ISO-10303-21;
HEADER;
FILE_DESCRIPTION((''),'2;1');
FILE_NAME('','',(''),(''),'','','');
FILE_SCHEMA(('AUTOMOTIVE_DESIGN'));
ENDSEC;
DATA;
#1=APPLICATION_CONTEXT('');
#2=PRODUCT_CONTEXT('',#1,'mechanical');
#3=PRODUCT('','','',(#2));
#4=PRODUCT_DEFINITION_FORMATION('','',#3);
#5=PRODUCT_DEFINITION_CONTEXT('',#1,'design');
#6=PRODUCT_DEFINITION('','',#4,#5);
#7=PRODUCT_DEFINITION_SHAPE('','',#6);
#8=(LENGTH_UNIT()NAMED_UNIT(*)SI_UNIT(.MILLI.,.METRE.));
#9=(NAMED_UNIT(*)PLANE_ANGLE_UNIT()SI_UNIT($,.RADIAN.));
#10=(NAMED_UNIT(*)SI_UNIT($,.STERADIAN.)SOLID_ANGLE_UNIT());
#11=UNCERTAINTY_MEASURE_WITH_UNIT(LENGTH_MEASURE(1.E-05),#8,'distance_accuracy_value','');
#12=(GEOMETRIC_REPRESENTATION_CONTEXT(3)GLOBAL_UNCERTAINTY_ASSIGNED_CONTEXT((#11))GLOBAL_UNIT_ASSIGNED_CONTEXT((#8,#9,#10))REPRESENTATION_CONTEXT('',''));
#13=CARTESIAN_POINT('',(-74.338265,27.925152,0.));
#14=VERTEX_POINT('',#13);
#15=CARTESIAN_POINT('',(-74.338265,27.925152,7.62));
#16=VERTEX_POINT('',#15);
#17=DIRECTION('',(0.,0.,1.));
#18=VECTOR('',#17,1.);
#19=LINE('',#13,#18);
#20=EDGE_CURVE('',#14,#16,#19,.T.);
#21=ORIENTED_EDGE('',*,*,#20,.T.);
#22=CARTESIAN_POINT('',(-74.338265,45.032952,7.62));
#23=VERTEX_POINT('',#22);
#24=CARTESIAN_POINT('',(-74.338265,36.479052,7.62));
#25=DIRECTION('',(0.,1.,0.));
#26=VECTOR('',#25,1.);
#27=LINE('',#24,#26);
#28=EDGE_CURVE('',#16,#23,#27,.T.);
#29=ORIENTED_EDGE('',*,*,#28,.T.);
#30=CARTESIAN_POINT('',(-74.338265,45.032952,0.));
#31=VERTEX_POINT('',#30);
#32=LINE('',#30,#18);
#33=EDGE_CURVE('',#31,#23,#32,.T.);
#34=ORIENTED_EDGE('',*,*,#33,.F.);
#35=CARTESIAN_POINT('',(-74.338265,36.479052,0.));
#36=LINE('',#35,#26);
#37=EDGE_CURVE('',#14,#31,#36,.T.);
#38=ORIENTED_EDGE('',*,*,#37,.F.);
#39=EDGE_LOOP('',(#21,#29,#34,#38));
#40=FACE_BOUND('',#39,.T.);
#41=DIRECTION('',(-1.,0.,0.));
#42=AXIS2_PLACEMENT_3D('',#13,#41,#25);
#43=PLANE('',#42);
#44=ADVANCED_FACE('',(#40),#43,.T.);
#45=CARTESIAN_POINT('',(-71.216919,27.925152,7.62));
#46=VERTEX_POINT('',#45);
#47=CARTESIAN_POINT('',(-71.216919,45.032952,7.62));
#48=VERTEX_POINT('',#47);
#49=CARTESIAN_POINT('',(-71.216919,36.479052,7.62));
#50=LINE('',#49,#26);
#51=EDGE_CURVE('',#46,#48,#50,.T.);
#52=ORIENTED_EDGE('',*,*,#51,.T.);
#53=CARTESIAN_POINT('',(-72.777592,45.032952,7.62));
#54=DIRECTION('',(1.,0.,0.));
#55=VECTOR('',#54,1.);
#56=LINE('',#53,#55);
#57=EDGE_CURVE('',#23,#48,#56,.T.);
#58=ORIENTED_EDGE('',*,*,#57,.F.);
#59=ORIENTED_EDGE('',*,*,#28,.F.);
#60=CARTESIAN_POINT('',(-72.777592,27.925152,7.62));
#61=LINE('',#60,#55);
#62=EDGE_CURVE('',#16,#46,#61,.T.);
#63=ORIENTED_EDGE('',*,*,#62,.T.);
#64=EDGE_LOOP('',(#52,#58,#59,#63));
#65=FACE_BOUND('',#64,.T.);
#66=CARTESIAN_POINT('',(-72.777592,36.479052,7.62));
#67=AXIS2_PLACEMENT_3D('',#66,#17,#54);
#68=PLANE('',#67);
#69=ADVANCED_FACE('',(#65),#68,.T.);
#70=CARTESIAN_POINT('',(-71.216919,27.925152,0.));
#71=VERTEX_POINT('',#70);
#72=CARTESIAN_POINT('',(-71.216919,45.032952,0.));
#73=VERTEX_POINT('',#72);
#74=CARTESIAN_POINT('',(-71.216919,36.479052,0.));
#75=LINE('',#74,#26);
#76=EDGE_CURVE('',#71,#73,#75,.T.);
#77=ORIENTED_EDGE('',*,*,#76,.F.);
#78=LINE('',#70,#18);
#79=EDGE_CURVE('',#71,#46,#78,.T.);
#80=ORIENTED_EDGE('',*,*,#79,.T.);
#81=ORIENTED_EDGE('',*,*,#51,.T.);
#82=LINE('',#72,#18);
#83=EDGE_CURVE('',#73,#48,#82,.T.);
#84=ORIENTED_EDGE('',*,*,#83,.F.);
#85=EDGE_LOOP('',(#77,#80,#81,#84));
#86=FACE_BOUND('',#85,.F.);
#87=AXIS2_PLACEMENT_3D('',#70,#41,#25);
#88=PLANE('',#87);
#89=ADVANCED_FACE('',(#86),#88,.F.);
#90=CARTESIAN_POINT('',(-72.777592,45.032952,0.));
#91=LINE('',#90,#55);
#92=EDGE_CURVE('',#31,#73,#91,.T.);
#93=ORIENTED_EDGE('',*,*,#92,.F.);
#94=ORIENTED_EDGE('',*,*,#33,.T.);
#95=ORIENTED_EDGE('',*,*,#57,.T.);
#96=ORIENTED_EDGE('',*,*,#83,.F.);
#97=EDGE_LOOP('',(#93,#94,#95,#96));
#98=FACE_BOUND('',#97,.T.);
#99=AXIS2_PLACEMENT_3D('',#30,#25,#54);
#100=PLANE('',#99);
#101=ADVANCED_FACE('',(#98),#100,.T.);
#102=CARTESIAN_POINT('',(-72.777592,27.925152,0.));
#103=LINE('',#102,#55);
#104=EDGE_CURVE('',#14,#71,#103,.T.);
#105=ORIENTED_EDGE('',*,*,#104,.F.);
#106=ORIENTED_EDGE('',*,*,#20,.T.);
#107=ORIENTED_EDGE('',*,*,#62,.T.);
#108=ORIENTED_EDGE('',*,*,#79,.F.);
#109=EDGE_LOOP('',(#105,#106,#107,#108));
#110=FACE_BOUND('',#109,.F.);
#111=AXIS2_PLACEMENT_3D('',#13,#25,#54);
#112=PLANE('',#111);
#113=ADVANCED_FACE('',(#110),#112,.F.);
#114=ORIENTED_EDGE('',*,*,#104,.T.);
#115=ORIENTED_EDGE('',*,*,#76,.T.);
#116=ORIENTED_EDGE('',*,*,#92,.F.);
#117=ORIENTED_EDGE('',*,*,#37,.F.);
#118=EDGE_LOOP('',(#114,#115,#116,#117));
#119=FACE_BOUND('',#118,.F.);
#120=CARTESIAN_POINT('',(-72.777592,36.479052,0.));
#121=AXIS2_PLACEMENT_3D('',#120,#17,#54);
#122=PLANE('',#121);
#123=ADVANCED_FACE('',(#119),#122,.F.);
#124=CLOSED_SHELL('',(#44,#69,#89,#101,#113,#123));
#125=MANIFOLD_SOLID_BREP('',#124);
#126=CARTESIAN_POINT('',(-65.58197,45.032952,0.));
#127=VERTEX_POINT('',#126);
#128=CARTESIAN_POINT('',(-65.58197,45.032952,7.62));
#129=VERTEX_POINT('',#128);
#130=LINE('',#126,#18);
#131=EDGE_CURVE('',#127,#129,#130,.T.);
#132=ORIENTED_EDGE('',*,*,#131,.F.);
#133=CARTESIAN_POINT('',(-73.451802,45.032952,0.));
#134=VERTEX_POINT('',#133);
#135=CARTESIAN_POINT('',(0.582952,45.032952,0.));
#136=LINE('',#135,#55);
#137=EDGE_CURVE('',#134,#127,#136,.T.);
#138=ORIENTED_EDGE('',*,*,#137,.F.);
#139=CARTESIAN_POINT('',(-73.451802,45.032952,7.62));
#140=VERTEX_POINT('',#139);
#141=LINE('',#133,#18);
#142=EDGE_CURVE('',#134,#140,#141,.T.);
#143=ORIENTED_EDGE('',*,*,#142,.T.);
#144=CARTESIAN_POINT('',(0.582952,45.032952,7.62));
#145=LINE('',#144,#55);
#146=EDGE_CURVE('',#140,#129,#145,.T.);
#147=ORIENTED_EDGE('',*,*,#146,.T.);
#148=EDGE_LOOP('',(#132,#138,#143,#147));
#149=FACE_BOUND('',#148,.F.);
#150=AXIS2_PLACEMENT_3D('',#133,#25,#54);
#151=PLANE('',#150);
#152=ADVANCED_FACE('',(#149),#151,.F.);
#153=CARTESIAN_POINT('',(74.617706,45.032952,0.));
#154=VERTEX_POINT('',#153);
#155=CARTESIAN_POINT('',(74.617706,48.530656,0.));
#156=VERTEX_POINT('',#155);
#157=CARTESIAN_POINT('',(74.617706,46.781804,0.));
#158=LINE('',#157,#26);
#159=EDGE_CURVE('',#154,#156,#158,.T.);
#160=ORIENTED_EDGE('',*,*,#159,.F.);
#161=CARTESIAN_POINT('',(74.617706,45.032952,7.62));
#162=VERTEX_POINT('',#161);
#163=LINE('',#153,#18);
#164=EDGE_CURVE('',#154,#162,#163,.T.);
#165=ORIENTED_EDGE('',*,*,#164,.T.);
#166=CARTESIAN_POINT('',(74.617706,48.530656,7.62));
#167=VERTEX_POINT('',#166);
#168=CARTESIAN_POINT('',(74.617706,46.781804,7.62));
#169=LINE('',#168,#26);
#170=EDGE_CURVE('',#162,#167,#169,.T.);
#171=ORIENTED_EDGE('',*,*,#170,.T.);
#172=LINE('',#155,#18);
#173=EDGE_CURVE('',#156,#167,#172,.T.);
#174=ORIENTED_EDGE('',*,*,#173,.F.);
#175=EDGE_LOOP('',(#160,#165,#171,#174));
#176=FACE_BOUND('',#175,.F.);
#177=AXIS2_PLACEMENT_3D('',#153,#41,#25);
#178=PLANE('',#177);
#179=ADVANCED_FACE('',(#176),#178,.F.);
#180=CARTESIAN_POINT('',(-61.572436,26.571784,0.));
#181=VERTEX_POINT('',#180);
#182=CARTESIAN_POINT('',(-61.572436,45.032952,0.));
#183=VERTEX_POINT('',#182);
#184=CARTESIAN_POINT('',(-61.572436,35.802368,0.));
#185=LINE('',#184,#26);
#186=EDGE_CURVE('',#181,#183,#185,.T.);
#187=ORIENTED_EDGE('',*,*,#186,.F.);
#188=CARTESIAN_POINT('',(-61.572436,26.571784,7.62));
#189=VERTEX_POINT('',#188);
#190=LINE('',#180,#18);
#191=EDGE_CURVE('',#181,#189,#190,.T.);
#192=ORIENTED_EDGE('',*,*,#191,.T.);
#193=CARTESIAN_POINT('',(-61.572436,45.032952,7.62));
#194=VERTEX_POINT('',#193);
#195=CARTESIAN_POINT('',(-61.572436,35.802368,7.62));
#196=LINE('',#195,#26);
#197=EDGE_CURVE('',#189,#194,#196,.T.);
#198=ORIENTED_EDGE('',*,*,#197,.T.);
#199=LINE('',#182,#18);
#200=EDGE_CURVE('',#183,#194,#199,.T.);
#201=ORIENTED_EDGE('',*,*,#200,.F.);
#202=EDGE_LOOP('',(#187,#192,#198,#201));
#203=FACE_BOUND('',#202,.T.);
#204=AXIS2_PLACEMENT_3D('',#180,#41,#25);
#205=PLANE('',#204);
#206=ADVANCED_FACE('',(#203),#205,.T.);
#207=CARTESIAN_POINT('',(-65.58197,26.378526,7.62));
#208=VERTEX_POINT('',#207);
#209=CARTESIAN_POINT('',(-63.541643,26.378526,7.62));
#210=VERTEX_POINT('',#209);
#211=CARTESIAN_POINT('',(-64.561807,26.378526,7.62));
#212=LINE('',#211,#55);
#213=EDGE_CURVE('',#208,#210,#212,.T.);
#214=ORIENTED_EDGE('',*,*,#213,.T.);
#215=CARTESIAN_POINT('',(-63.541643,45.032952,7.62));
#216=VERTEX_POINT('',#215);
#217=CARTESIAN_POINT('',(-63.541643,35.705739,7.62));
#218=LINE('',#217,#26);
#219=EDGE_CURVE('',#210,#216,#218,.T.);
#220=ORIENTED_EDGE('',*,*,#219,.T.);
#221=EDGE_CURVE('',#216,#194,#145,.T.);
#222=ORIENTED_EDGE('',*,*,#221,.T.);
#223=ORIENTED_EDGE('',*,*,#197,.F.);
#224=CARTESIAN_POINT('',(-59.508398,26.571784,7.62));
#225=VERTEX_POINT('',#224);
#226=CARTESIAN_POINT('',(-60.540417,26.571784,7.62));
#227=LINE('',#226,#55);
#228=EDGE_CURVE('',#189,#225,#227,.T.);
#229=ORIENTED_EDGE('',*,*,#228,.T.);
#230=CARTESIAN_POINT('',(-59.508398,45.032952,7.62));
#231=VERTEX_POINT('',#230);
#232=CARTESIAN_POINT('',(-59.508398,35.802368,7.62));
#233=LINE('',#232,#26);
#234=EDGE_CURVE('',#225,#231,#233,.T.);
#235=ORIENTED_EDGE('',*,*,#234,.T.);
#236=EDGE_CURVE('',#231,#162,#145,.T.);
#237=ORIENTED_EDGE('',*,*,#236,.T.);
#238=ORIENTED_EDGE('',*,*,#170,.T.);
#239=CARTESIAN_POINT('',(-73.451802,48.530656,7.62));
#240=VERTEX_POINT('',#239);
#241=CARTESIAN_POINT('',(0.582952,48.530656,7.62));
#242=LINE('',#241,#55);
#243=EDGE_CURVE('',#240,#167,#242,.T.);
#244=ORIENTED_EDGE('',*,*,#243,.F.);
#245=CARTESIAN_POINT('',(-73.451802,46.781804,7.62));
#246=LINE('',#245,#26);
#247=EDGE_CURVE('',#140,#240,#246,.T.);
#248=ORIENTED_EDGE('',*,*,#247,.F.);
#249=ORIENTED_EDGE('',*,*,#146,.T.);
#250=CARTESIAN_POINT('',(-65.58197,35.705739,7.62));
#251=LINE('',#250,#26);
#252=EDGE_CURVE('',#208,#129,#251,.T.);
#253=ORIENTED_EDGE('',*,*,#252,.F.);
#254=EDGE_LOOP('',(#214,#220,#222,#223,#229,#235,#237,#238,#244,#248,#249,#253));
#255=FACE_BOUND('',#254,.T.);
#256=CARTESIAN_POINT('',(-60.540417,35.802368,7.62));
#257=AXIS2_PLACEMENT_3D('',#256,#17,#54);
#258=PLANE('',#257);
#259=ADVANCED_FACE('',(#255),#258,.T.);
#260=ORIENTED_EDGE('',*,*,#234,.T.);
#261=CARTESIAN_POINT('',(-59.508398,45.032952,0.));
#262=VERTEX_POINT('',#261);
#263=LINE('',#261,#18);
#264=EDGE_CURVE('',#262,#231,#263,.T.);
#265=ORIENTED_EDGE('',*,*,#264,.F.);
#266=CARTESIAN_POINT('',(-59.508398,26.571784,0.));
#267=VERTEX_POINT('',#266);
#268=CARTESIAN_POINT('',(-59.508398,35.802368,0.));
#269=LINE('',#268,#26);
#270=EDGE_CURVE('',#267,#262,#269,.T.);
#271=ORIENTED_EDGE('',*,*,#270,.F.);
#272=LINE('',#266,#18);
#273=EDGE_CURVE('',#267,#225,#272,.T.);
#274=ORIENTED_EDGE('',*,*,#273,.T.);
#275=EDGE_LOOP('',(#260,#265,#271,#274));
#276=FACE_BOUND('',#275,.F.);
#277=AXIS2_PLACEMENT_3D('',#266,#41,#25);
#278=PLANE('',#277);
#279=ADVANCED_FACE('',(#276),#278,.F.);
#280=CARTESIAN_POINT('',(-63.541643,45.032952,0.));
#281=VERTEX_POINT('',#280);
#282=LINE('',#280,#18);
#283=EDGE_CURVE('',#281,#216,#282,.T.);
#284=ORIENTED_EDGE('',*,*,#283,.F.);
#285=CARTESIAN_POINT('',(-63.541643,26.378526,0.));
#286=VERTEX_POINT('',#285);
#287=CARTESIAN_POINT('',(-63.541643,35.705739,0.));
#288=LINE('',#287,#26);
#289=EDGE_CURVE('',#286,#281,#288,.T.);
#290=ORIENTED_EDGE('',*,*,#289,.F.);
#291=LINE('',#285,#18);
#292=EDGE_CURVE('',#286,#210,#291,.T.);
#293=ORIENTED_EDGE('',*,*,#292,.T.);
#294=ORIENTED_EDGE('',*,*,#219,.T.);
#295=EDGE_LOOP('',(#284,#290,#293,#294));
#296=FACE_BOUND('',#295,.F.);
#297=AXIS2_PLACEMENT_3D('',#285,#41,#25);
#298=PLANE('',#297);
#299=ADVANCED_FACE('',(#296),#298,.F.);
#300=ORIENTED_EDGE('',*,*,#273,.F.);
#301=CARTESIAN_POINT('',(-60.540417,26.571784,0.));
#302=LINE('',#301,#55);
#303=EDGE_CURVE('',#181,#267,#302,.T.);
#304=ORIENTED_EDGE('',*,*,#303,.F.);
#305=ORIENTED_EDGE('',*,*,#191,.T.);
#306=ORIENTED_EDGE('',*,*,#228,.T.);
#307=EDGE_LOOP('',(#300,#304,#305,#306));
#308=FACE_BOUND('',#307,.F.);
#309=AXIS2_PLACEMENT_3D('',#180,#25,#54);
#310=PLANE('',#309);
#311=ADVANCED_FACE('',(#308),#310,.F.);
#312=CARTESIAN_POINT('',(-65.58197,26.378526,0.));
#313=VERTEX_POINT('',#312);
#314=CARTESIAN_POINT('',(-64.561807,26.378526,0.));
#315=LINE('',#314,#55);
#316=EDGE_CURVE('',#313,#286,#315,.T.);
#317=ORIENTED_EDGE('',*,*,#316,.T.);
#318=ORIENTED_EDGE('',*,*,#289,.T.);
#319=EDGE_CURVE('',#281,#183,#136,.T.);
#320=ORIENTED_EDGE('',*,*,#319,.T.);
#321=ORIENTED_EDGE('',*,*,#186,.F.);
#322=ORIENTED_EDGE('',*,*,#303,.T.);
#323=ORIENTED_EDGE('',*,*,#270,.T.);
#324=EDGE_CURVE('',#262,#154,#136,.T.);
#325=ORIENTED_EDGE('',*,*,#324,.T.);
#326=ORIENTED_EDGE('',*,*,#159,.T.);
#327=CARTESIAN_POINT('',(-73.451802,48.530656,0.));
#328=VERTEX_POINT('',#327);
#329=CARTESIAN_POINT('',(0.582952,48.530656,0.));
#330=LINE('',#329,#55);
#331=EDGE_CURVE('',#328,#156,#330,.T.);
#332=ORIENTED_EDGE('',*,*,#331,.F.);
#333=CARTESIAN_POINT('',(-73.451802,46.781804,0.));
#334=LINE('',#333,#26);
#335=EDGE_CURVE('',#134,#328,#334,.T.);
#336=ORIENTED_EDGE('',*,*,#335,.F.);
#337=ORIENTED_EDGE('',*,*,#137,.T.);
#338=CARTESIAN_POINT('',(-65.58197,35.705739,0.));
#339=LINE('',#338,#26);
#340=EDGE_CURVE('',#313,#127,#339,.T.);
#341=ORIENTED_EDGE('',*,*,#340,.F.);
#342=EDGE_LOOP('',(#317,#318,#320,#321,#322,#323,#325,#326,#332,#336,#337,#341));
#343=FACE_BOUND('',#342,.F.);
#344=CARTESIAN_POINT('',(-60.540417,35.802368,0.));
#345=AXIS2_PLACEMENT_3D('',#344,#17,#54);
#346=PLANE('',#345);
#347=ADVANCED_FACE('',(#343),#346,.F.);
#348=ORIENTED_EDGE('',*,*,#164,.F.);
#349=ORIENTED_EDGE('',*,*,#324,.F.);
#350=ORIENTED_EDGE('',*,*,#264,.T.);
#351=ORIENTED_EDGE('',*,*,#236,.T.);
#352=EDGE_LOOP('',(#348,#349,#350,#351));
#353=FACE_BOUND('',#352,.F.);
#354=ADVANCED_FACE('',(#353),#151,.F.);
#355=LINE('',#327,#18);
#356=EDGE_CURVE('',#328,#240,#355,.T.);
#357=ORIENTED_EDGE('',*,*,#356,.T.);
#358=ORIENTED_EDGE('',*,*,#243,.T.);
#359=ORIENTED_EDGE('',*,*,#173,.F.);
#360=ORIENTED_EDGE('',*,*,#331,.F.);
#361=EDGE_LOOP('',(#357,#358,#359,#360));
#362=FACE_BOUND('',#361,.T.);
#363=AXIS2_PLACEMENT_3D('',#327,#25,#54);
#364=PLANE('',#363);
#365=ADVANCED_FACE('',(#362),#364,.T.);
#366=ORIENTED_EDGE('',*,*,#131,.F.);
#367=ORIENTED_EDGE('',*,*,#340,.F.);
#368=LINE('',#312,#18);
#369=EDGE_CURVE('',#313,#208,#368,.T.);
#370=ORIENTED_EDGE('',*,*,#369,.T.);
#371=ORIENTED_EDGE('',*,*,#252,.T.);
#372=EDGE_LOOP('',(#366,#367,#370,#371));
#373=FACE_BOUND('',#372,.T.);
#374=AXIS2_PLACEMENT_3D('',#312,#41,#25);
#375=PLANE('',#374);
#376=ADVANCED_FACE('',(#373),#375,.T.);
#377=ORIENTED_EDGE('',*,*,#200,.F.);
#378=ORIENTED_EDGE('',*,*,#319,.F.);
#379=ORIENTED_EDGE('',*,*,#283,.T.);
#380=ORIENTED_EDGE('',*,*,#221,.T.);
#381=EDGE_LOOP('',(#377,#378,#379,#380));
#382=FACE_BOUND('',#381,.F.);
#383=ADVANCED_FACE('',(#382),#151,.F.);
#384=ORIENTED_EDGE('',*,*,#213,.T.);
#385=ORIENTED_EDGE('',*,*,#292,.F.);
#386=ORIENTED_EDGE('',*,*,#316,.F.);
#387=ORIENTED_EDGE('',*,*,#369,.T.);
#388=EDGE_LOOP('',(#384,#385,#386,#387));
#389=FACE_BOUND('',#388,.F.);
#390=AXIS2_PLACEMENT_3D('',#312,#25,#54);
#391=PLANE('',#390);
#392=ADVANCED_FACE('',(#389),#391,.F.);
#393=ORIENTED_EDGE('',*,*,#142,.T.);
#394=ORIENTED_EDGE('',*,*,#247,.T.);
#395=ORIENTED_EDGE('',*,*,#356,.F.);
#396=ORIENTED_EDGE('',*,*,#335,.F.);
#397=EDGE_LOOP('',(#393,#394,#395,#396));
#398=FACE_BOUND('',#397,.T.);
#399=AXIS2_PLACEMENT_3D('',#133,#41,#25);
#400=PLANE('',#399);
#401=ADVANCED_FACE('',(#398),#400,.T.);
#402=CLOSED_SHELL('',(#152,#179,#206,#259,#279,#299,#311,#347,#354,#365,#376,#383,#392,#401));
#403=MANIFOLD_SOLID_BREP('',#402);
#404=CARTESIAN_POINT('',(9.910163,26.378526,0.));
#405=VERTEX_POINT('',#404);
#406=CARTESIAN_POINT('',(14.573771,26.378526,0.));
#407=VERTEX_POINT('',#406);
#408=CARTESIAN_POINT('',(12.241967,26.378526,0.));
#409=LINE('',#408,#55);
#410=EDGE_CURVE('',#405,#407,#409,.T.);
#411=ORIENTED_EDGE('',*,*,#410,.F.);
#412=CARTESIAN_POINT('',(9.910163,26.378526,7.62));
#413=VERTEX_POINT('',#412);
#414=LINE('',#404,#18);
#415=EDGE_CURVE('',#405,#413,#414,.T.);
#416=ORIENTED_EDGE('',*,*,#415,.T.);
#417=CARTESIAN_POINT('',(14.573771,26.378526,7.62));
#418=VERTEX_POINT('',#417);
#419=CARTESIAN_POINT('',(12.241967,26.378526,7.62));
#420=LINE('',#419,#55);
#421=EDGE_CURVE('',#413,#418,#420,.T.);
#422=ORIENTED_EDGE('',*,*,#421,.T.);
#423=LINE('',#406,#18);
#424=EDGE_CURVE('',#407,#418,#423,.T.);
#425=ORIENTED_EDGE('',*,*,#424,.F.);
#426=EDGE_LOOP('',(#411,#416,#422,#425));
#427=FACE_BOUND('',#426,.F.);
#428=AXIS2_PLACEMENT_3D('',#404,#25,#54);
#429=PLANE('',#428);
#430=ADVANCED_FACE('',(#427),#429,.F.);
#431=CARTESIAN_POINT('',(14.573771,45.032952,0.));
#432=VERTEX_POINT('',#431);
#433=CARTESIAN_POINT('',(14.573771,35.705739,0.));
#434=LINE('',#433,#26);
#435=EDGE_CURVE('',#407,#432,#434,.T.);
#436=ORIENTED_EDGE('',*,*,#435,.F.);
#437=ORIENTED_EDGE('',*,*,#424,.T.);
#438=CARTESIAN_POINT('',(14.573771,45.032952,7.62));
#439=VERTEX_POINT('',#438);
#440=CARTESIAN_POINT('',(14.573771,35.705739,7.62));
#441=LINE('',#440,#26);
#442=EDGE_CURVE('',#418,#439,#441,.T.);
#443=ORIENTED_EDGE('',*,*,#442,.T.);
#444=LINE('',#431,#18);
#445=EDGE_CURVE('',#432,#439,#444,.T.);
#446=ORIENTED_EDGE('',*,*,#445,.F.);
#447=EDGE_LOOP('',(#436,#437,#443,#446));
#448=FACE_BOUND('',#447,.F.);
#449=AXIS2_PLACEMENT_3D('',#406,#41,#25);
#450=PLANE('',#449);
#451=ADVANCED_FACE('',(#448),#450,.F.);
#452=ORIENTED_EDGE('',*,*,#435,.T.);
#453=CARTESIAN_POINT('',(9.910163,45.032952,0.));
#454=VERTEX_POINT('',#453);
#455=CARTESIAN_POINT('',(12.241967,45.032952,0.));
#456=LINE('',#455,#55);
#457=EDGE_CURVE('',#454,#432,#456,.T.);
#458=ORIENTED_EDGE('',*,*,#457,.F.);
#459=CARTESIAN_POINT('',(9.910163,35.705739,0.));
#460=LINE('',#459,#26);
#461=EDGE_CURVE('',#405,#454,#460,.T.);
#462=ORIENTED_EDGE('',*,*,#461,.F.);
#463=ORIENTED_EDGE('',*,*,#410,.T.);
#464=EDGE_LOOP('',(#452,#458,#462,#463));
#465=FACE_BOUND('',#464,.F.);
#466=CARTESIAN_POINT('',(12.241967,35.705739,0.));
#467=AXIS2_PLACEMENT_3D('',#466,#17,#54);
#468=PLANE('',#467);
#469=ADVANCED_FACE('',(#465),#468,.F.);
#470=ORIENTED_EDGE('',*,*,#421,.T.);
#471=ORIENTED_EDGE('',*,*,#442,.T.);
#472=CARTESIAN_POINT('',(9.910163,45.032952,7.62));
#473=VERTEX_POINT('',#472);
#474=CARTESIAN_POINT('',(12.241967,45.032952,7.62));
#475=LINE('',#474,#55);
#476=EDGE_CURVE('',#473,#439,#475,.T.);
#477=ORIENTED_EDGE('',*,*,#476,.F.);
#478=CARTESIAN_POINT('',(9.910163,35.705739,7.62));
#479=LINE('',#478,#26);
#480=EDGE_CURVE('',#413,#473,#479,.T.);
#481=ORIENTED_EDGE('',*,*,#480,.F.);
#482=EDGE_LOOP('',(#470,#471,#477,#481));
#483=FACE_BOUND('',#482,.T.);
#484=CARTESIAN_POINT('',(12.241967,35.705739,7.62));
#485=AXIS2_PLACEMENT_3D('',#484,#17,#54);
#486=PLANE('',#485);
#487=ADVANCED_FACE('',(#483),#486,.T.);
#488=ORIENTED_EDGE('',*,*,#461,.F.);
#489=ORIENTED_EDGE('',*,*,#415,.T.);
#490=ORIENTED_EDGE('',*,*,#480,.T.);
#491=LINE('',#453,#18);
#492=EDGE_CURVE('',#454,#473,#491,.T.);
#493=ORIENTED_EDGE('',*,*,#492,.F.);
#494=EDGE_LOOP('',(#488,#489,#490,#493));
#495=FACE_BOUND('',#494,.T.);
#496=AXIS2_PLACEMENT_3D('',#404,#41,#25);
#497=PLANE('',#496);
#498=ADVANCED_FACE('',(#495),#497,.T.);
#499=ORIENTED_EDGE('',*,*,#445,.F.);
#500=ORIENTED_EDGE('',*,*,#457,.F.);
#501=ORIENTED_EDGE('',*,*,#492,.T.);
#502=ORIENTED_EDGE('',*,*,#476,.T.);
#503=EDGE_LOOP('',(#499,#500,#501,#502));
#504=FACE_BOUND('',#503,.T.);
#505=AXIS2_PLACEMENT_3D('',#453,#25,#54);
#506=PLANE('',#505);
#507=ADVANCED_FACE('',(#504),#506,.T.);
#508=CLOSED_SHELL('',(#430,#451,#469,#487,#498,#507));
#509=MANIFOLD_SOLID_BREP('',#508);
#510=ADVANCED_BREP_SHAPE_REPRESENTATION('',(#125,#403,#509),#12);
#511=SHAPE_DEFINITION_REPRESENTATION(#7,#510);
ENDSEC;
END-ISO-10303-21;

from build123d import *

# Parameters (mm, degrees)
F0_W     = 148.069508
F0_H     = 3.497705
F1_DEPTH = 7.62
F2_W     = 3.121346
F2_H     = 17.1078
F3_DEPTH = 7.62
F4_W     = 4.663609
F4_H     = 18.654425
F5_DEPTH = 7.62
F6_W     = 2.040327
F6_H     = 18.654425
F7_DEPTH = 7.62
F8_W     = 2.064038
F8_H     = 18.461168
F9_DEPTH = 7.62


with BuildPart() as f1:
    # F0 (on Top) → F1 (new body)
    with BuildSketch(Plane.XY):
        with Locations((0.582952, 46.781804)):
            Rectangle(F0_W, F0_H)
    extrude(amount=F1_DEPTH)

    # F6 (on Top) → F7 (join)
    with BuildSketch(Plane.XY):
        with Locations((-64.561807, 35.705739)):
            Rectangle(F6_W, F6_H)
    extrude(amount=F7_DEPTH)

    # F8 (on Top) → F9 (join)
    with BuildSketch(Plane.XY):
        with Locations((-60.540417, 35.802368)):
            Rectangle(F8_W, F8_H)
    extrude(amount=F9_DEPTH)


with BuildPart() as f3:
    # F2 (on Top) → F3 (new body)
    with BuildSketch(Plane.XY):
        with Locations((-72.777592, 36.479052)):
            Rectangle(F2_W, F2_H)
    extrude(amount=F3_DEPTH)


with BuildPart() as f5:
    # F4 (on Top) → F5 (new body)
    with BuildSketch(Plane.XY):
        with Locations((12.241967, 35.705739)):
            Rectangle(F4_W, F4_H)
    extrude(amount=F5_DEPTH)


solid = Compound([f1.part, f3.part, f5.part])
